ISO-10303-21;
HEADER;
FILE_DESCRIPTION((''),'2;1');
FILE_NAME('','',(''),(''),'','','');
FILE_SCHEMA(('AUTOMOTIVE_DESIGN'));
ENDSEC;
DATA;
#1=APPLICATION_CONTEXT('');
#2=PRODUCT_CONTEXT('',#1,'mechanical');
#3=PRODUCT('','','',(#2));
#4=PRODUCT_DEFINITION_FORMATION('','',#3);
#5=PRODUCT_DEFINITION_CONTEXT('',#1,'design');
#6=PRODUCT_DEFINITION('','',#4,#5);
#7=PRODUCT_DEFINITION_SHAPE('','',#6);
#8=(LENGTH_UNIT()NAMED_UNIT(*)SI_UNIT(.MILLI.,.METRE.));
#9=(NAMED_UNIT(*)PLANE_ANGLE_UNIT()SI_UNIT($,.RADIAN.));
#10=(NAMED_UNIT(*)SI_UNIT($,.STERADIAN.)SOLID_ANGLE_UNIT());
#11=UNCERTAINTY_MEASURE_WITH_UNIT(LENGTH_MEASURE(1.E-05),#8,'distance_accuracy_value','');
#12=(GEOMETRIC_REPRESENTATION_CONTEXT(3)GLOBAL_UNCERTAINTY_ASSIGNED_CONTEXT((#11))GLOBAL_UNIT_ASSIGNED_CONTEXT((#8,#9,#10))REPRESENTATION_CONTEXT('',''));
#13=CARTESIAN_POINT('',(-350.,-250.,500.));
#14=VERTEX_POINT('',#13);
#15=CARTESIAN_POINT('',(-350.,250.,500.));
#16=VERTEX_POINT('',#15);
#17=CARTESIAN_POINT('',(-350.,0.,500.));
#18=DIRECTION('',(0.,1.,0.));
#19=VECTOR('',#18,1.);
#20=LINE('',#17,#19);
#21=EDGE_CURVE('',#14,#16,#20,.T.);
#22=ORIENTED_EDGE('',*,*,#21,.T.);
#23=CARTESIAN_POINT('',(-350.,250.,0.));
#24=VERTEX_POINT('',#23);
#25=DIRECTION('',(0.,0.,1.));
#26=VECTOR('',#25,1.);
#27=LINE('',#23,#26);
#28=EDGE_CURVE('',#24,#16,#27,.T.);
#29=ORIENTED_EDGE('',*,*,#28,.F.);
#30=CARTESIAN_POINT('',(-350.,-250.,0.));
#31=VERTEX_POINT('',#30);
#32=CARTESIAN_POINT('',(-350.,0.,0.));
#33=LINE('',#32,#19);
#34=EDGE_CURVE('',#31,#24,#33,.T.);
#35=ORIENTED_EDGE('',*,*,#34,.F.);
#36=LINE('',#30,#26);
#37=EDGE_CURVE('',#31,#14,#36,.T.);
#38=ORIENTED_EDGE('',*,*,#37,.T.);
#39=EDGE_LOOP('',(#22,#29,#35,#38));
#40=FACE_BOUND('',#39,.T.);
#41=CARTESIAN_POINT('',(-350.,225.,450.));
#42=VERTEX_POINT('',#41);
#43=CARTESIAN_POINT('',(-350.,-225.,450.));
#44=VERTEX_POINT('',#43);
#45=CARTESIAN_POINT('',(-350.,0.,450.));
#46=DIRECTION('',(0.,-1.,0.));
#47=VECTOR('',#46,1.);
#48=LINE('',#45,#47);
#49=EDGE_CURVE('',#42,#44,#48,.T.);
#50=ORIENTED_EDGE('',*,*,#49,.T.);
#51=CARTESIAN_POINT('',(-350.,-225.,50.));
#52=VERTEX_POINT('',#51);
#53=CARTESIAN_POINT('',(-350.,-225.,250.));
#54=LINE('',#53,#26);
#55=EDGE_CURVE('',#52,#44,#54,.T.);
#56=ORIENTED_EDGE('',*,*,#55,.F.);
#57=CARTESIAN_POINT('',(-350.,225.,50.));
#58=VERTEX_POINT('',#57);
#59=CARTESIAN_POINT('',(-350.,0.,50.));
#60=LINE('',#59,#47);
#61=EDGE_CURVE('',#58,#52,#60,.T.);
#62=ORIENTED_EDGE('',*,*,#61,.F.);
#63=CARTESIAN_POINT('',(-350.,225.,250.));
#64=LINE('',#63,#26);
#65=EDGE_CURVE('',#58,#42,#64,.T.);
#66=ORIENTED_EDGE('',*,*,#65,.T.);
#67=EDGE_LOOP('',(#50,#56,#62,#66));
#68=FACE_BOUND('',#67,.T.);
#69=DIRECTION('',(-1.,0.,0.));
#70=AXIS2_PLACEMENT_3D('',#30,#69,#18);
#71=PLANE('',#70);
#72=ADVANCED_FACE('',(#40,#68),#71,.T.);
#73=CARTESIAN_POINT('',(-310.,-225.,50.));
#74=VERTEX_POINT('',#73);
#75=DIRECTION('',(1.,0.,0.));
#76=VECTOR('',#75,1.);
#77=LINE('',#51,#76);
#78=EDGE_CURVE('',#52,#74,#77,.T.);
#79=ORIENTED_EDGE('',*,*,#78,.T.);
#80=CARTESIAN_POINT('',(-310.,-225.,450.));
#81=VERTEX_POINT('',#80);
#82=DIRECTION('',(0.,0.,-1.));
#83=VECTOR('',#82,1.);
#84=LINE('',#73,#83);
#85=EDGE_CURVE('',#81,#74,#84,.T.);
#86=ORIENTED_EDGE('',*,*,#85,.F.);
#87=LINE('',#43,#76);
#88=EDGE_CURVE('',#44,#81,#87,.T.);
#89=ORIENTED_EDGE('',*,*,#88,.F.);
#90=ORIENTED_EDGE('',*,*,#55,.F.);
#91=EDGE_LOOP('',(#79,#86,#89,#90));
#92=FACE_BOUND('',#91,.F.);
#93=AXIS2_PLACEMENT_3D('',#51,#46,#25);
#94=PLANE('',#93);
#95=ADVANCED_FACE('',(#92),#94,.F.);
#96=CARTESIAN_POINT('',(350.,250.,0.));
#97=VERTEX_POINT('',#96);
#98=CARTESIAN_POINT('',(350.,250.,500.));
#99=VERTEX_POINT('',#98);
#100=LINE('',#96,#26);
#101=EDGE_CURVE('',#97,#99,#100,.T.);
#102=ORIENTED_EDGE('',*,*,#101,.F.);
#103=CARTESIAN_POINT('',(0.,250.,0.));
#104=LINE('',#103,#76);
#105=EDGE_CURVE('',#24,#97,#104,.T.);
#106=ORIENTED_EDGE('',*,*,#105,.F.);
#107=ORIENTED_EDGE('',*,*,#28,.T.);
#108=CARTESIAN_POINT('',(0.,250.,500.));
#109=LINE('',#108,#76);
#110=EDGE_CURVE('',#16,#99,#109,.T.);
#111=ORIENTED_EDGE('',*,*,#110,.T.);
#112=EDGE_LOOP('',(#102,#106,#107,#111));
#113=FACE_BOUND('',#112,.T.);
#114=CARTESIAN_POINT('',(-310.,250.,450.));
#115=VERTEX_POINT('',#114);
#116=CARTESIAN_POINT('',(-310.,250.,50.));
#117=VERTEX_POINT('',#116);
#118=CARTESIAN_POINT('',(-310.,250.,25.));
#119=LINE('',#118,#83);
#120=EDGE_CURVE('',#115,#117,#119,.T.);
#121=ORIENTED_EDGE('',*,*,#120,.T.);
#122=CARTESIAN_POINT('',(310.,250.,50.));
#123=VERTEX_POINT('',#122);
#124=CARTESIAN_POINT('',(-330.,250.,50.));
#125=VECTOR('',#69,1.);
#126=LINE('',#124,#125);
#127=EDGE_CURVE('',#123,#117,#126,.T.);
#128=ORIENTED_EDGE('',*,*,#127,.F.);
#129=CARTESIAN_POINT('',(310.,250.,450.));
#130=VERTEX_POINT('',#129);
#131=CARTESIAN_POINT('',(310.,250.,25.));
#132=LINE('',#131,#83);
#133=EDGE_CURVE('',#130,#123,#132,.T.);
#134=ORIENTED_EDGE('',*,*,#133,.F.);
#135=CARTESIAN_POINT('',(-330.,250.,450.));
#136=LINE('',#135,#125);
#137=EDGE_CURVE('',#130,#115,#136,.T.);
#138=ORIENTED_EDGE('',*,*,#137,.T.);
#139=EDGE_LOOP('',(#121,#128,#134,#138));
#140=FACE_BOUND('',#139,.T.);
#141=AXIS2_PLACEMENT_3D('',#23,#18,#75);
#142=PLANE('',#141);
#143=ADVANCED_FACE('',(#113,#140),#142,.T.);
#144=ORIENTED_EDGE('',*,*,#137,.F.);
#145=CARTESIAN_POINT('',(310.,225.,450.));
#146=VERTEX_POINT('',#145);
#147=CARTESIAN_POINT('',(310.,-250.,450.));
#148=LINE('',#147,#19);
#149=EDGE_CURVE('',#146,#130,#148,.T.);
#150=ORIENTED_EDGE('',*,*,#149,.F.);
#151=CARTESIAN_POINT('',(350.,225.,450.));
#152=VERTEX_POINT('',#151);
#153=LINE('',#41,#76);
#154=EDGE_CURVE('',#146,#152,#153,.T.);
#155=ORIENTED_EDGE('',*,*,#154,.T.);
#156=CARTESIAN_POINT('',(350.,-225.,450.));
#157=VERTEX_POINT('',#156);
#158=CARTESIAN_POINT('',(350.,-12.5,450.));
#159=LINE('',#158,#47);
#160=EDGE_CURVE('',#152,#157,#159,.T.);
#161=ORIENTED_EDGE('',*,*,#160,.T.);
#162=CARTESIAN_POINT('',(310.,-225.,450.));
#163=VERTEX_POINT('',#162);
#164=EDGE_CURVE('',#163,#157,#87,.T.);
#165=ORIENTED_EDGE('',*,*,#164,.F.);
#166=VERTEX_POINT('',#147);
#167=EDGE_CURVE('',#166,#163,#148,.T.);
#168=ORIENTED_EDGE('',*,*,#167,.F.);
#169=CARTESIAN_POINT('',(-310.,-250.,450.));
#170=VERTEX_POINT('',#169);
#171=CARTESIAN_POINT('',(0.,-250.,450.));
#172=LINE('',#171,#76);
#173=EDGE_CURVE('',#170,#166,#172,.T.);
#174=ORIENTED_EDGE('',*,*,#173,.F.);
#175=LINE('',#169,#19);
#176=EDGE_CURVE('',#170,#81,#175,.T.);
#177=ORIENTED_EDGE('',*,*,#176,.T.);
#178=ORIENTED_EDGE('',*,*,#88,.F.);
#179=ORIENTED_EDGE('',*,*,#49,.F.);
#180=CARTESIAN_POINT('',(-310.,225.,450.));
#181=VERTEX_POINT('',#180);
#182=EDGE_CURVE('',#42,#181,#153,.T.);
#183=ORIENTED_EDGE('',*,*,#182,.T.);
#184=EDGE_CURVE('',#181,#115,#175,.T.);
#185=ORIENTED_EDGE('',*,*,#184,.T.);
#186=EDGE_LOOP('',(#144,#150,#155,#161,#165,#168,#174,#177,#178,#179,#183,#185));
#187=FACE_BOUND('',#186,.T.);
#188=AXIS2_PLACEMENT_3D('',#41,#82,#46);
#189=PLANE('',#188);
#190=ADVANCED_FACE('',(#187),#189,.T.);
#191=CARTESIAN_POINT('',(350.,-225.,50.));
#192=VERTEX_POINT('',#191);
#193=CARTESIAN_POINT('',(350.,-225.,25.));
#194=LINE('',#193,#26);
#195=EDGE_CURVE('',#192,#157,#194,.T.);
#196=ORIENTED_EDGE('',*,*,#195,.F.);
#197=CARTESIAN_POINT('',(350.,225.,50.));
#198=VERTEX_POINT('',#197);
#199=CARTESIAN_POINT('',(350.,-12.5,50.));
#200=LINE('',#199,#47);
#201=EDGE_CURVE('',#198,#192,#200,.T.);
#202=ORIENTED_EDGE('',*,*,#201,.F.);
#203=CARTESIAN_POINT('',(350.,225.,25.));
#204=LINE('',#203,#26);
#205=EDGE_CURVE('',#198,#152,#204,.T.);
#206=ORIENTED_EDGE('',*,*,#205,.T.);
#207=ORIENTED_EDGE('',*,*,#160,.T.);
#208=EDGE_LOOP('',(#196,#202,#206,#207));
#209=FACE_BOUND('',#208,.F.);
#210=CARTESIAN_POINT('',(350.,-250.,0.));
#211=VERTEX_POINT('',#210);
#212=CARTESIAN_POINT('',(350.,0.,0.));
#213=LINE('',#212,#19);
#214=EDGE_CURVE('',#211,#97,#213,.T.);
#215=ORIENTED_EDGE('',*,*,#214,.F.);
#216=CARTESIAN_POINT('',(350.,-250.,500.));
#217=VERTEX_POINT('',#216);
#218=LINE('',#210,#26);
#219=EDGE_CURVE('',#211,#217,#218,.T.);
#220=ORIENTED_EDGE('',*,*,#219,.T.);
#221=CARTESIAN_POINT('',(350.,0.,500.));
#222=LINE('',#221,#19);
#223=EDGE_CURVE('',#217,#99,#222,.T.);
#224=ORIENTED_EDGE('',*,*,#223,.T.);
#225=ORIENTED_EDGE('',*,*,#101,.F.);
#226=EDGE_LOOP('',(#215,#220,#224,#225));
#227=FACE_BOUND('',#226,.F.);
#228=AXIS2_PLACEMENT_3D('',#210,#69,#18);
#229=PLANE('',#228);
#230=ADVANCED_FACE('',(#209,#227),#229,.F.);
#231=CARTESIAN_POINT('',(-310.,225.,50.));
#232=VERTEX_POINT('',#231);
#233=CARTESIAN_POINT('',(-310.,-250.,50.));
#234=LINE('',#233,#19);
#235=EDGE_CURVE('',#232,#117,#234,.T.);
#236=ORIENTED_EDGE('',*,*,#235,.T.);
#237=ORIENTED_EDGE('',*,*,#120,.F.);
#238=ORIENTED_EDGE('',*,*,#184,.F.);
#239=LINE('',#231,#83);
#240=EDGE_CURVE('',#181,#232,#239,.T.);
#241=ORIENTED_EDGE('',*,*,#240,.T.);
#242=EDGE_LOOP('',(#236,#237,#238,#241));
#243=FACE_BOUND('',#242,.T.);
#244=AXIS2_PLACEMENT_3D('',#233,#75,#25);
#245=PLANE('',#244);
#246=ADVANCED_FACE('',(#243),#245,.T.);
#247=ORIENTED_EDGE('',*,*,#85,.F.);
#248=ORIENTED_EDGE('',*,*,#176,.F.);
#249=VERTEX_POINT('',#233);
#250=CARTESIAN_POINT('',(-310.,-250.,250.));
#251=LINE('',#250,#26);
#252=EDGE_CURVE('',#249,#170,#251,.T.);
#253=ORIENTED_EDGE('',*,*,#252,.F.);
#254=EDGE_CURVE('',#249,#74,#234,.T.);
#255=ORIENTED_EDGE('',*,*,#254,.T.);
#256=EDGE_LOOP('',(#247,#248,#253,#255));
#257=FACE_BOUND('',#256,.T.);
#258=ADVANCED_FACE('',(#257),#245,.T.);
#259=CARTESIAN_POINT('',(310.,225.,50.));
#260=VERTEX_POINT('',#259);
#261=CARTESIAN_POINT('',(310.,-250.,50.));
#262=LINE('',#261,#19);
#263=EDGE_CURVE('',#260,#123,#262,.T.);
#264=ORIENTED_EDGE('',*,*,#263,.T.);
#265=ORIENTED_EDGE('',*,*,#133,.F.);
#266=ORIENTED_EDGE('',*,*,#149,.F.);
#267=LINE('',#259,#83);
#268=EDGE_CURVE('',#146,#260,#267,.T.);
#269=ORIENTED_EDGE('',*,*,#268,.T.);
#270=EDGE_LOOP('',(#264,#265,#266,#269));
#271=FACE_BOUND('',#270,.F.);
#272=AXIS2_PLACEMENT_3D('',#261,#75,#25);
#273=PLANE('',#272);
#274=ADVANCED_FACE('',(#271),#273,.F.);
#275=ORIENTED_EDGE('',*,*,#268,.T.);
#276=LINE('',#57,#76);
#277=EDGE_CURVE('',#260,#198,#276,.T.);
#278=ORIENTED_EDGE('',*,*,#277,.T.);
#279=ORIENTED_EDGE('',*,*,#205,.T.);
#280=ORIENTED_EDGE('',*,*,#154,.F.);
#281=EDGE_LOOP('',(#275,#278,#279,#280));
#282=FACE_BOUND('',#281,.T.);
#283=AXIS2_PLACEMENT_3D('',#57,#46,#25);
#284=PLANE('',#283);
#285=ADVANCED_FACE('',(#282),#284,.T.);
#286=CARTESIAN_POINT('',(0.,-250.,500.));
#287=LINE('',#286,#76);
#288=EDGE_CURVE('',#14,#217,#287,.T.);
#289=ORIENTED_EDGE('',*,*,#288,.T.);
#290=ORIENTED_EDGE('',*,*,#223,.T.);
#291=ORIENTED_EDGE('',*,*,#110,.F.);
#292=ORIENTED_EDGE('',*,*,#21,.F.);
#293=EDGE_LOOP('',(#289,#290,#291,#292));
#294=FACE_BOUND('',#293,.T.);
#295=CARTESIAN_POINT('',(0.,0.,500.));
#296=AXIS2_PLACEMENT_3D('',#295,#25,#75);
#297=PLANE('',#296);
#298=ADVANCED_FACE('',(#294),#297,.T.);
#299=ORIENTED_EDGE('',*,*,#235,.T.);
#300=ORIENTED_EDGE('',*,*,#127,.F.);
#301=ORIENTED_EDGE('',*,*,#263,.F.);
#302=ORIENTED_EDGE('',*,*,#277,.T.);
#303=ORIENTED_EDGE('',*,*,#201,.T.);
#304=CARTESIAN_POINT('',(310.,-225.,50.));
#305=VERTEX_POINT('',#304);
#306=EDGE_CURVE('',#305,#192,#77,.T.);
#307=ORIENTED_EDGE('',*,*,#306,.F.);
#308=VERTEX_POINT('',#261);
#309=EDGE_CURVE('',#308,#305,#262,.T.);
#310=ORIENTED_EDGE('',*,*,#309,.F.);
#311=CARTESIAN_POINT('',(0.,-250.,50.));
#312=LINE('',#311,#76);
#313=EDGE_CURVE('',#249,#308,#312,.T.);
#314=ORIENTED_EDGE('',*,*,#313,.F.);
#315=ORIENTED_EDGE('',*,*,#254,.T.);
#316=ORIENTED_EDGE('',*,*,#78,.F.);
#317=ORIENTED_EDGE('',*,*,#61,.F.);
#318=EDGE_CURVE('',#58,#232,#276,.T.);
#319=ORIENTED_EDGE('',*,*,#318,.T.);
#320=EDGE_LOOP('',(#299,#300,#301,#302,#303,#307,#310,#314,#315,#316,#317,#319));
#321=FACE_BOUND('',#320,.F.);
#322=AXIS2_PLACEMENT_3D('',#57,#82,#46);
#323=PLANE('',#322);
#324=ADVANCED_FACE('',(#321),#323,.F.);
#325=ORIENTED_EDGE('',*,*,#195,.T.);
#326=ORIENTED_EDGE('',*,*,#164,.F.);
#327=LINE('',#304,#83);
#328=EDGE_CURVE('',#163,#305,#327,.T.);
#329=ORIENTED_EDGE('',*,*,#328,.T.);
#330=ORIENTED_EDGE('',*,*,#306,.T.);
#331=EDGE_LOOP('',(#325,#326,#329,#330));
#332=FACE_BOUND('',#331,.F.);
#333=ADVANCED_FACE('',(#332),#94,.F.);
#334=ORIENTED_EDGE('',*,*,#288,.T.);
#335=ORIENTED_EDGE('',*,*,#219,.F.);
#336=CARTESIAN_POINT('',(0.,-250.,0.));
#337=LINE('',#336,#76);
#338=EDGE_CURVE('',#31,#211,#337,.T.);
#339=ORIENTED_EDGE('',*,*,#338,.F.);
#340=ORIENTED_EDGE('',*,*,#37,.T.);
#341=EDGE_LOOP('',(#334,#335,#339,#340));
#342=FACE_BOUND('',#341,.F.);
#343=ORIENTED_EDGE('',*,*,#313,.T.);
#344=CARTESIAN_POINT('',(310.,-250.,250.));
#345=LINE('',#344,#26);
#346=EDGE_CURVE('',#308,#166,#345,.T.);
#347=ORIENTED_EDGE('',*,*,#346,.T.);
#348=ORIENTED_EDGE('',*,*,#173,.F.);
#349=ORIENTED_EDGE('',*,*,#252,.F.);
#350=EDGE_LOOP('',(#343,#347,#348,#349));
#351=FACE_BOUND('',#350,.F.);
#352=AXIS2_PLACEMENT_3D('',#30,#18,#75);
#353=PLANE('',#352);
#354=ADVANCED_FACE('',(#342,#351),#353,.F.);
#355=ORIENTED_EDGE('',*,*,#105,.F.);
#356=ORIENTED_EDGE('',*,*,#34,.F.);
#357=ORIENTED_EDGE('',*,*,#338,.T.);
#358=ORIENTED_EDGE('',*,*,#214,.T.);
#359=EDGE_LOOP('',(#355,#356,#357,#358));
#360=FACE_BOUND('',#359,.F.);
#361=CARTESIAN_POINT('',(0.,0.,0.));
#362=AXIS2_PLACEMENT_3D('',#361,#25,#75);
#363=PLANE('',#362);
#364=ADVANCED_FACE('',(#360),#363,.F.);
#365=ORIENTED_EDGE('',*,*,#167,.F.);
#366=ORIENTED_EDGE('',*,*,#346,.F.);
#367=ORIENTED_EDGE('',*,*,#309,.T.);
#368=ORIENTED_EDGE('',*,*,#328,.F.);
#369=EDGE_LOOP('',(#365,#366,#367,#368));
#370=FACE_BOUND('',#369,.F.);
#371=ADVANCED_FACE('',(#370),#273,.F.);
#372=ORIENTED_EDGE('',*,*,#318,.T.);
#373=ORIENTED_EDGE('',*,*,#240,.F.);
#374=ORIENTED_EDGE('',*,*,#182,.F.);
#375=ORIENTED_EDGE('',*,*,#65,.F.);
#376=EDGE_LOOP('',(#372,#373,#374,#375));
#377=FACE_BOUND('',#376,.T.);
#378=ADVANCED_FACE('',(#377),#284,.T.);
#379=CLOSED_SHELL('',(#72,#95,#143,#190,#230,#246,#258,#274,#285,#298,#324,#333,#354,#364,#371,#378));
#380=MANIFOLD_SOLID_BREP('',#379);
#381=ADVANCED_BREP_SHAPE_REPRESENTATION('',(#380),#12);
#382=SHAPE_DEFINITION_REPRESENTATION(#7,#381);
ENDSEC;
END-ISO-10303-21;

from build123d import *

# Parameters (mm, degrees)
F0_W     = 700
F0_H     = 500
F1_DEPTH = 500
F2_W     = 620
F2_H     = 400
F3_DEPTH = 810
F4_W     = 450
F4_H     = 400
F5_DEPTH = 777


with BuildPart() as f1:
    # F0 (on Top) → F1 (new body)
    with BuildSketch(Plane.XY):
        Rectangle(F0_W, F0_H)
    extrude(amount=F1_DEPTH)

    # F2 (on face) → F3 (cut)
    with BuildSketch(Plane.XZ.offset(250)):
        with Locations((0, 250)):
            Rectangle(F2_W, F2_H)
    extrude(amount=-F3_DEPTH, mode=Mode.SUBTRACT)

    # F4 (on face) → F5 (cut)
    with BuildSketch(Plane(origin=(-350, 0, 0), x_dir=(0, -1, 0), z_dir=(-1, 0, 0))):
        with Locations((0, 250)):
            Rectangle(F4_W, F4_H)
    extrude(amount=-F5_DEPTH, mode=Mode.SUBTRACT)


solid = f1.part
